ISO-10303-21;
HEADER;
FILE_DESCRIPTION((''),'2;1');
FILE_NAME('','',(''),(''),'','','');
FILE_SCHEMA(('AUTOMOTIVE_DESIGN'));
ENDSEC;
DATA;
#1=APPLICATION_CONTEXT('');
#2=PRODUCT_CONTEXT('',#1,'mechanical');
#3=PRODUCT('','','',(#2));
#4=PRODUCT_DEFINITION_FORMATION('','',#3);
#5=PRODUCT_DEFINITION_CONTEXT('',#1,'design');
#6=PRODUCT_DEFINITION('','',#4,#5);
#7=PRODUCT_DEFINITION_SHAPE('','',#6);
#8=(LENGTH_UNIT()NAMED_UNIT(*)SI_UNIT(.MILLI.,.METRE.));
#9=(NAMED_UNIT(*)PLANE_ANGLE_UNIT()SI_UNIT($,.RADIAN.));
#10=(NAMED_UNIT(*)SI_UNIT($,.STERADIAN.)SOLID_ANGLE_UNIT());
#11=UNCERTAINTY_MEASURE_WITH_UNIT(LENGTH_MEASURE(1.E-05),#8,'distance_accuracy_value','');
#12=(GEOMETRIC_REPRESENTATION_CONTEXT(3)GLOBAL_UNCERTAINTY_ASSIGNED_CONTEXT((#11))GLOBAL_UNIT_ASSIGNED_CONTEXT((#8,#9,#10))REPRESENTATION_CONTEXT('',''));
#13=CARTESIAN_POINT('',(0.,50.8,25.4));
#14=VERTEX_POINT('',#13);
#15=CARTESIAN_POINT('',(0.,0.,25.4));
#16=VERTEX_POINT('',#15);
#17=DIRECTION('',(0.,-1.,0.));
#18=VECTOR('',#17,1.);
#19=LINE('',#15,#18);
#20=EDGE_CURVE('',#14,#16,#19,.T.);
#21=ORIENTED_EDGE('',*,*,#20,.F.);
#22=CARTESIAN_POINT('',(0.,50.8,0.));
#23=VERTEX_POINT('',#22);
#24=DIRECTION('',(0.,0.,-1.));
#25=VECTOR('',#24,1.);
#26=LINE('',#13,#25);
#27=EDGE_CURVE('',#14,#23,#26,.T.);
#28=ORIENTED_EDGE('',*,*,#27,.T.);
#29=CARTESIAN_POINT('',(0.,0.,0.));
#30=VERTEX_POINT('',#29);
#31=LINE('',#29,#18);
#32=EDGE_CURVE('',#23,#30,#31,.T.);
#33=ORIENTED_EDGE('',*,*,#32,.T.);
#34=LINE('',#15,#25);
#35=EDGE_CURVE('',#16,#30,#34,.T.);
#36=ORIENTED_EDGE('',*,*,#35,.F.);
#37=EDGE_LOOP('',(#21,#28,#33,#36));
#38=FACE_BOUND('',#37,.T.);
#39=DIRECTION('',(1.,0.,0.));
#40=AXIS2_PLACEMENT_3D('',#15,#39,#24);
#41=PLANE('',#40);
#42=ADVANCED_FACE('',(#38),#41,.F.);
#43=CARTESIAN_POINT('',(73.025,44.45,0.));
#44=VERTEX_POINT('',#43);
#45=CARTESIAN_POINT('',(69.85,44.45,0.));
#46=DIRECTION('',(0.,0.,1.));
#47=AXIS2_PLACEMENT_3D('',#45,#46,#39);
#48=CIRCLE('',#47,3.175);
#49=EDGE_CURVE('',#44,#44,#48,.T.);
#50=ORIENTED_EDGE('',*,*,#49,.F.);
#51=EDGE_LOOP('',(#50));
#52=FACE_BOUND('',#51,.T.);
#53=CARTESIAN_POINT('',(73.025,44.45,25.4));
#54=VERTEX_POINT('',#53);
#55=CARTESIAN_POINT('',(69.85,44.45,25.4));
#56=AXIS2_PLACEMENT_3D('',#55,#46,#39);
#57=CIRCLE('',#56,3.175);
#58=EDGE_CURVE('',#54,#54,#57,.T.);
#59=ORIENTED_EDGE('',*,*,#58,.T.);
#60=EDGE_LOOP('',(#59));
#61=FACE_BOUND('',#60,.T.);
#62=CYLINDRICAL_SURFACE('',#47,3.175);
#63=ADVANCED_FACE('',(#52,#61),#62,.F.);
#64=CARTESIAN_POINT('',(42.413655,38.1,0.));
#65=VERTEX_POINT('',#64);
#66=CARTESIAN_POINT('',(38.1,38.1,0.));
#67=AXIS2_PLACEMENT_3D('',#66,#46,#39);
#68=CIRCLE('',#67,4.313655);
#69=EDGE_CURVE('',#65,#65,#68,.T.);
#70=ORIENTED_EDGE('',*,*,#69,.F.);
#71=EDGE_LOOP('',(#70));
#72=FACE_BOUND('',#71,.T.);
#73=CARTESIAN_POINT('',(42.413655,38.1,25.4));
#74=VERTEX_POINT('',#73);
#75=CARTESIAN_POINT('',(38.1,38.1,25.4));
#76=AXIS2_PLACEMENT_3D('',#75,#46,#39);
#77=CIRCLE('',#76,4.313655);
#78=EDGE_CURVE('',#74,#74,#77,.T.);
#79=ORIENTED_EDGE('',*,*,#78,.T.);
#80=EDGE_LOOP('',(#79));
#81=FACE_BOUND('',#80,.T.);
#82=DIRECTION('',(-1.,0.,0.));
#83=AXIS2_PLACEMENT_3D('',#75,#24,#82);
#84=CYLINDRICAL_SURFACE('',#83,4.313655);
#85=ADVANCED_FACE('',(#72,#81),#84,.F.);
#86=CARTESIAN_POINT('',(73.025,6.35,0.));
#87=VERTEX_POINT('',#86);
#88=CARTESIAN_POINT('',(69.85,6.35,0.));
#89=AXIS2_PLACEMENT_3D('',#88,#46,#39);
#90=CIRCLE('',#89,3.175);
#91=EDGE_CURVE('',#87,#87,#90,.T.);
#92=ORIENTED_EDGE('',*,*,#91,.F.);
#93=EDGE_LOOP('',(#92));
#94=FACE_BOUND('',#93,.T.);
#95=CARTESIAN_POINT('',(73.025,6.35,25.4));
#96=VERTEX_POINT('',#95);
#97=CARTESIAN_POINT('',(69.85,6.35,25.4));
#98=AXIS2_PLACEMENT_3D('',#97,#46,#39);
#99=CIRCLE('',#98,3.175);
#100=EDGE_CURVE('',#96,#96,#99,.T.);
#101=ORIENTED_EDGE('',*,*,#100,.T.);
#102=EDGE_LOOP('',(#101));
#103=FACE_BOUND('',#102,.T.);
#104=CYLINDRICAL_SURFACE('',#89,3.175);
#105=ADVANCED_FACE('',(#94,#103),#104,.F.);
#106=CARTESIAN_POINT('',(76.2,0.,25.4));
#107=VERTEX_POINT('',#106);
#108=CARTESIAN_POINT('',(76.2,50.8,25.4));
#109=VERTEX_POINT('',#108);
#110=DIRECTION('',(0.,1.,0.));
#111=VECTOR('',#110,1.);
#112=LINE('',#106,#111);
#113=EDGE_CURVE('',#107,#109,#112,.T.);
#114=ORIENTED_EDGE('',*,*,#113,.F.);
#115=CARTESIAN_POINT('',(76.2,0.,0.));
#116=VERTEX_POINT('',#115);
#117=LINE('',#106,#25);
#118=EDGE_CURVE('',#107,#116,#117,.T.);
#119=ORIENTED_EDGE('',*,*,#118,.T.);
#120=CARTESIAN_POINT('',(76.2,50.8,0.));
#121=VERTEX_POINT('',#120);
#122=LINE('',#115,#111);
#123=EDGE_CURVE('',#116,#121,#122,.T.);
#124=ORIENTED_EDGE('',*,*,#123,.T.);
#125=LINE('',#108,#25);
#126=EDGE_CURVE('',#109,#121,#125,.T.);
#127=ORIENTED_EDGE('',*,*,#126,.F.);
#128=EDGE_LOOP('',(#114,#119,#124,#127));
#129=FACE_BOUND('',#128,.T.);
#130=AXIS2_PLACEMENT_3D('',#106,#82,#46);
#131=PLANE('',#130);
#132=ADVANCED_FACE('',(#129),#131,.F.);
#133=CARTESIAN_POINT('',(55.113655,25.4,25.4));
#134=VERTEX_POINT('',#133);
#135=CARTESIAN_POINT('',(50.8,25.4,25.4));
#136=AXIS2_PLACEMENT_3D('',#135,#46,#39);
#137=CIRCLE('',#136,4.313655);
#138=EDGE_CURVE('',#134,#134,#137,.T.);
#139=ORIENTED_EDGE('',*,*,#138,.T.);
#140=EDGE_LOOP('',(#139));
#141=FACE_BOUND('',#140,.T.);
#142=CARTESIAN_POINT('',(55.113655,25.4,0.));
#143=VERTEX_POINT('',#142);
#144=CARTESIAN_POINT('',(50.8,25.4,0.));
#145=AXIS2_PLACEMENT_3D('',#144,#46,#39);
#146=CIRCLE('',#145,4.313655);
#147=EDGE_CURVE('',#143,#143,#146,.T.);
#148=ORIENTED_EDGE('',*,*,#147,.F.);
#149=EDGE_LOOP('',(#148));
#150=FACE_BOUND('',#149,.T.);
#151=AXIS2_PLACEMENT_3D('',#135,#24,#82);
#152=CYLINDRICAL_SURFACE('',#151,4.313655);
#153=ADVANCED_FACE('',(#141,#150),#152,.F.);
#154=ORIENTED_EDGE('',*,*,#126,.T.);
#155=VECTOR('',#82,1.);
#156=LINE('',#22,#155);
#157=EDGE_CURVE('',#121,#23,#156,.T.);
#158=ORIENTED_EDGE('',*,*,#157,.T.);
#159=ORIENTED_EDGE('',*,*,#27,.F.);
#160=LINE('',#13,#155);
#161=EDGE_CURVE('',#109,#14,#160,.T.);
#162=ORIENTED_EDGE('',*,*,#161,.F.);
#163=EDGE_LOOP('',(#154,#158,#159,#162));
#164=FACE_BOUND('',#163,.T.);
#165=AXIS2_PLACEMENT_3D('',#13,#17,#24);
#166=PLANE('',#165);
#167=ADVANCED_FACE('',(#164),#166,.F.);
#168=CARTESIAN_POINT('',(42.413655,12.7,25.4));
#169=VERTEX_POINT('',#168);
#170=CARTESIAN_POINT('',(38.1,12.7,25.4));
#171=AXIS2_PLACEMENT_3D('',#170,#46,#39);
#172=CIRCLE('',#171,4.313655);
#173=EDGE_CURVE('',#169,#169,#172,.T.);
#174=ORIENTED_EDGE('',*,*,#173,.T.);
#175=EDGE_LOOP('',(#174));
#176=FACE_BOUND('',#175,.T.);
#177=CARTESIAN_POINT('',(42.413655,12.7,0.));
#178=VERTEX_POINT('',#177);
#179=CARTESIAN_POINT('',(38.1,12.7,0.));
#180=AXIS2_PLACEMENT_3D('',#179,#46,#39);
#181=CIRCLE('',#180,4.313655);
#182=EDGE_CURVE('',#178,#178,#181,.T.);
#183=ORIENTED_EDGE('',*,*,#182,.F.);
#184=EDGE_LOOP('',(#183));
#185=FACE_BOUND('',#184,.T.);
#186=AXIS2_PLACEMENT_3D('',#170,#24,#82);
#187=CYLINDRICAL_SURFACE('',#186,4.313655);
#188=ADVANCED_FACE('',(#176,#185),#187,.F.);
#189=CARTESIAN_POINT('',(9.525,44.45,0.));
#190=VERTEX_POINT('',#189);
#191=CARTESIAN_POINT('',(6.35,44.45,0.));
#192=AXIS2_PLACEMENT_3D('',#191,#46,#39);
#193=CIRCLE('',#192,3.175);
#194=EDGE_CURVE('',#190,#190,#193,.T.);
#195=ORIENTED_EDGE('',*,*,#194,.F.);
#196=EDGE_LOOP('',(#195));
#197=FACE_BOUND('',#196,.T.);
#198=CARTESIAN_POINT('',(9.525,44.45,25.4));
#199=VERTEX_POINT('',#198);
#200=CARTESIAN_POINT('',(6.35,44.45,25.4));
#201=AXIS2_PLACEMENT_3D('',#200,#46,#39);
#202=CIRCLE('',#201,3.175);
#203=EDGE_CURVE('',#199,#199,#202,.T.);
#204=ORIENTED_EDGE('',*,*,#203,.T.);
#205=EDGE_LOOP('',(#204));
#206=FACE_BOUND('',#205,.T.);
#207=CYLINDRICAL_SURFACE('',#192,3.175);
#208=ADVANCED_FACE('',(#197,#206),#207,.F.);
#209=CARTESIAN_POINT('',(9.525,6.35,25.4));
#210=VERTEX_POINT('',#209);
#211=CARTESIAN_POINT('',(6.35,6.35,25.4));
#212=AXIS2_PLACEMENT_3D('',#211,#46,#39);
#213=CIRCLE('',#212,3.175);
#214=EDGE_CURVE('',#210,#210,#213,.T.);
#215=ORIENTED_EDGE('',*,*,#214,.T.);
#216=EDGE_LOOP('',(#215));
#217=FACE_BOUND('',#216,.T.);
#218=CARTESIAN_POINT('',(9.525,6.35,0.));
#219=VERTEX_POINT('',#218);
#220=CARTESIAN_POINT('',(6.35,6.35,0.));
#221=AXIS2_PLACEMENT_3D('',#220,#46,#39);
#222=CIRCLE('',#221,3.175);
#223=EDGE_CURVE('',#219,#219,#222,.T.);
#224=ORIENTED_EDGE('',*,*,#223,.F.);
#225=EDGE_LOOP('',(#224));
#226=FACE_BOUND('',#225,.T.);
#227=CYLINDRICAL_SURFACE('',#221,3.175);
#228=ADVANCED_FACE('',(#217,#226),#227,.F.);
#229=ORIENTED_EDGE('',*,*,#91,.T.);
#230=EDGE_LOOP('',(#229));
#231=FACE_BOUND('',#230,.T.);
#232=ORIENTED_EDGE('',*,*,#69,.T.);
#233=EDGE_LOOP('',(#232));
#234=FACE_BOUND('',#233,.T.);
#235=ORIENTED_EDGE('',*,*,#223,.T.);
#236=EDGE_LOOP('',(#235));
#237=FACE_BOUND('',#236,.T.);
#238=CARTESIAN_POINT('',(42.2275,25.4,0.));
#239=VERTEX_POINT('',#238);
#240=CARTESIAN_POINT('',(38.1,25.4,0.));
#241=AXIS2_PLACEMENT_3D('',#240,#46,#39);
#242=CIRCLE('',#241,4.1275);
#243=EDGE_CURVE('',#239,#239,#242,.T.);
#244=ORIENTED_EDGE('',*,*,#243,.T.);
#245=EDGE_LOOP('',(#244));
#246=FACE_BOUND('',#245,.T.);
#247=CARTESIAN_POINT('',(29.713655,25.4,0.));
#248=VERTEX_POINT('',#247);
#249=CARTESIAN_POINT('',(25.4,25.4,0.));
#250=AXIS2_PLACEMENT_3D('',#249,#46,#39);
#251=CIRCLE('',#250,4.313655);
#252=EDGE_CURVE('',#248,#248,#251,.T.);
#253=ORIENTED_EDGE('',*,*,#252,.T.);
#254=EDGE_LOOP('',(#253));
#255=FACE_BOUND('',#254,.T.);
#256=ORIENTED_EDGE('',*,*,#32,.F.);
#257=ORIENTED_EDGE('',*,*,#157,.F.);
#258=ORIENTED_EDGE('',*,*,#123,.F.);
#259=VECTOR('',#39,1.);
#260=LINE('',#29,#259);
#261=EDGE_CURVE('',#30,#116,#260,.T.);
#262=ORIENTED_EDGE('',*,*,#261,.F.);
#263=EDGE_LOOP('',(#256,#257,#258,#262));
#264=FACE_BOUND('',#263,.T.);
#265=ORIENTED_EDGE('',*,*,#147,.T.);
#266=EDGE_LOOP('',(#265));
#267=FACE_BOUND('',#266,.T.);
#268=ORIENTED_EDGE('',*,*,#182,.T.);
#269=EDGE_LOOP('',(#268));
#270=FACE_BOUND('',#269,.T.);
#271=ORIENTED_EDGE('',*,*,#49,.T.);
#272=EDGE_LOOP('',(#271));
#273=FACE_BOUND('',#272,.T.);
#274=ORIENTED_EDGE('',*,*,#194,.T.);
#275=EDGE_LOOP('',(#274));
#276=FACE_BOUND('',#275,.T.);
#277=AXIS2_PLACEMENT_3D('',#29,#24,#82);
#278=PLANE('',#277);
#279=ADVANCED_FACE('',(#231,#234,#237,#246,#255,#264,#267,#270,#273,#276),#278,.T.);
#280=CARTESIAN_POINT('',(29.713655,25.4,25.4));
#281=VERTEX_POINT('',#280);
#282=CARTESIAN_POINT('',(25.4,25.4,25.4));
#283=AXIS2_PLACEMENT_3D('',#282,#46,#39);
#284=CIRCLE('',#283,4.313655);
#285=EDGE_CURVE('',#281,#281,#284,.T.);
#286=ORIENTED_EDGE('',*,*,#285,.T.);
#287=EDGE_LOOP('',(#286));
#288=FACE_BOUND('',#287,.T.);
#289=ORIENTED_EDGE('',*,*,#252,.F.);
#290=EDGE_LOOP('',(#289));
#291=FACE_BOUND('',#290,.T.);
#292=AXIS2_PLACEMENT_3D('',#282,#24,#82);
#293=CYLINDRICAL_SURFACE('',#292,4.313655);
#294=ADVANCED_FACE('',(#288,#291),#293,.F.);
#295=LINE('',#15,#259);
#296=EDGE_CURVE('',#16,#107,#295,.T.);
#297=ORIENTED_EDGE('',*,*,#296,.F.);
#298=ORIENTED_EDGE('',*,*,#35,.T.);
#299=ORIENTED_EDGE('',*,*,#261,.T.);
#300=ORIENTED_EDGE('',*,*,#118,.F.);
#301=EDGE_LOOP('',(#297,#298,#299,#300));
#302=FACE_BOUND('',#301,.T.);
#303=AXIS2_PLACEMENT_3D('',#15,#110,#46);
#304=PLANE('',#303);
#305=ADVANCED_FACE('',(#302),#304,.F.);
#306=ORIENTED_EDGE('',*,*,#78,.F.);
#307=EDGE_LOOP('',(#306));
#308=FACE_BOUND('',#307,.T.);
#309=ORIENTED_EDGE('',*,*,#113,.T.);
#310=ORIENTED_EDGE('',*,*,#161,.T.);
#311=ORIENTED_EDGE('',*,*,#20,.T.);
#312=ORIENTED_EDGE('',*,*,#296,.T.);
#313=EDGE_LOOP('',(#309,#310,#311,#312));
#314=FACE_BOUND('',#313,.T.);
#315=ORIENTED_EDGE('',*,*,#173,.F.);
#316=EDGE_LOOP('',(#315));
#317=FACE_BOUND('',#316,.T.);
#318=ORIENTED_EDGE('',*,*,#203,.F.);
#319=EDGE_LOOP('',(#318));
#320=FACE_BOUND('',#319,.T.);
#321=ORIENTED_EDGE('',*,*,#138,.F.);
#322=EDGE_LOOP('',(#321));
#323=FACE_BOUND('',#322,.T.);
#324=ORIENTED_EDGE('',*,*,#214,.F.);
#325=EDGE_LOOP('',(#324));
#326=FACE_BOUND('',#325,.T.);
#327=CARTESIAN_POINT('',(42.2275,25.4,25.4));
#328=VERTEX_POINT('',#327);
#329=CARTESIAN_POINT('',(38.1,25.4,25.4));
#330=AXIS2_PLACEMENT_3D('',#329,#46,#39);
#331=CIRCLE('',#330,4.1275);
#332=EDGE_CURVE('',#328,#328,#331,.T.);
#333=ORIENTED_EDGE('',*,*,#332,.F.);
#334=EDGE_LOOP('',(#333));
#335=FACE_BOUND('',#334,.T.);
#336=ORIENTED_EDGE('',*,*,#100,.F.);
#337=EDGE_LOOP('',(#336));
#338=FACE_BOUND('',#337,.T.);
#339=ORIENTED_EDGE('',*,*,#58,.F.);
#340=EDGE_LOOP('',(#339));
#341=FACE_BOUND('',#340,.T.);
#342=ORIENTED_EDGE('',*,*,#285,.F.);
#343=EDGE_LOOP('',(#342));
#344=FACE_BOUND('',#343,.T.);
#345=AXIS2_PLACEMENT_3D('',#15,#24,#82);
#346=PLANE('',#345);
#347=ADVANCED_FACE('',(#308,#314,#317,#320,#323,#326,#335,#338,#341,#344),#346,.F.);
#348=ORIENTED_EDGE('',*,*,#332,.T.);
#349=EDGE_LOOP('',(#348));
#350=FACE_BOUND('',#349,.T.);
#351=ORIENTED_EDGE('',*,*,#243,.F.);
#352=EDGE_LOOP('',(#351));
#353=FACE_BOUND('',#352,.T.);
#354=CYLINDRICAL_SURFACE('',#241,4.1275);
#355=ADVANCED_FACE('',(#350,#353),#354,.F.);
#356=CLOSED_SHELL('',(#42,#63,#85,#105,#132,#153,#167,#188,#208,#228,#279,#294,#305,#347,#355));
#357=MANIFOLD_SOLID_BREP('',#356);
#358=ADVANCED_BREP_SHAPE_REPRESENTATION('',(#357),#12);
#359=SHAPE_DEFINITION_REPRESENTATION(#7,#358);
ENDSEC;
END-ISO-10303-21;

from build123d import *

# Parameters (mm, degrees)
SKETCH1_W           = 76.2
SKETCH1_H           = 50.8
SKETCH1_R           = 4.31365531
BOSS_EXTRUDE2_DEPTH = 25.4
SKETCH6_R           = 4.1275
SKETCH6_R_2         = 3.175
CUT_EXTRUDE3_DEPTH  = 25.4


with BuildPart() as part:
    # Sketch1 → Boss-Extrude2 (new body)
    with BuildSketch(Plane.XY):
        with Locations((38.1, 25.4)):
            Rectangle(SKETCH1_W, SKETCH1_H)
        with Locations((38.1, 38.1)):
            Circle(SKETCH1_R, mode=Mode.SUBTRACT)
        with Locations((50.8, 25.4)):
            Circle(SKETCH1_R, mode=Mode.SUBTRACT)
        with Locations((38.1, 12.7)):
            Circle(SKETCH1_R, mode=Mode.SUBTRACT)
        with Locations((25.4, 25.4)):
            Circle(SKETCH1_R, mode=Mode.SUBTRACT)
    extrude(amount=BOSS_EXTRUDE2_DEPTH)

    # Sketch6 → Cut-Extrude3 (cut)
    with BuildSketch(Plane.XY.offset(25.4)):
        with Locations((38.1, 25.4)):
            Circle(SKETCH6_R)
        with Locations((6.35, 44.45)):
            Circle(SKETCH6_R_2)
        with Locations((69.85, 44.45)):
            Circle(SKETCH6_R_2)
        with Locations((6.35, 6.35)):
            Circle(SKETCH6_R_2)
        with Locations((69.85, 6.35)):
            Circle(SKETCH6_R_2)
    extrude(amount=-CUT_EXTRUDE3_DEPTH, mode=Mode.SUBTRACT)


solid = part.part
